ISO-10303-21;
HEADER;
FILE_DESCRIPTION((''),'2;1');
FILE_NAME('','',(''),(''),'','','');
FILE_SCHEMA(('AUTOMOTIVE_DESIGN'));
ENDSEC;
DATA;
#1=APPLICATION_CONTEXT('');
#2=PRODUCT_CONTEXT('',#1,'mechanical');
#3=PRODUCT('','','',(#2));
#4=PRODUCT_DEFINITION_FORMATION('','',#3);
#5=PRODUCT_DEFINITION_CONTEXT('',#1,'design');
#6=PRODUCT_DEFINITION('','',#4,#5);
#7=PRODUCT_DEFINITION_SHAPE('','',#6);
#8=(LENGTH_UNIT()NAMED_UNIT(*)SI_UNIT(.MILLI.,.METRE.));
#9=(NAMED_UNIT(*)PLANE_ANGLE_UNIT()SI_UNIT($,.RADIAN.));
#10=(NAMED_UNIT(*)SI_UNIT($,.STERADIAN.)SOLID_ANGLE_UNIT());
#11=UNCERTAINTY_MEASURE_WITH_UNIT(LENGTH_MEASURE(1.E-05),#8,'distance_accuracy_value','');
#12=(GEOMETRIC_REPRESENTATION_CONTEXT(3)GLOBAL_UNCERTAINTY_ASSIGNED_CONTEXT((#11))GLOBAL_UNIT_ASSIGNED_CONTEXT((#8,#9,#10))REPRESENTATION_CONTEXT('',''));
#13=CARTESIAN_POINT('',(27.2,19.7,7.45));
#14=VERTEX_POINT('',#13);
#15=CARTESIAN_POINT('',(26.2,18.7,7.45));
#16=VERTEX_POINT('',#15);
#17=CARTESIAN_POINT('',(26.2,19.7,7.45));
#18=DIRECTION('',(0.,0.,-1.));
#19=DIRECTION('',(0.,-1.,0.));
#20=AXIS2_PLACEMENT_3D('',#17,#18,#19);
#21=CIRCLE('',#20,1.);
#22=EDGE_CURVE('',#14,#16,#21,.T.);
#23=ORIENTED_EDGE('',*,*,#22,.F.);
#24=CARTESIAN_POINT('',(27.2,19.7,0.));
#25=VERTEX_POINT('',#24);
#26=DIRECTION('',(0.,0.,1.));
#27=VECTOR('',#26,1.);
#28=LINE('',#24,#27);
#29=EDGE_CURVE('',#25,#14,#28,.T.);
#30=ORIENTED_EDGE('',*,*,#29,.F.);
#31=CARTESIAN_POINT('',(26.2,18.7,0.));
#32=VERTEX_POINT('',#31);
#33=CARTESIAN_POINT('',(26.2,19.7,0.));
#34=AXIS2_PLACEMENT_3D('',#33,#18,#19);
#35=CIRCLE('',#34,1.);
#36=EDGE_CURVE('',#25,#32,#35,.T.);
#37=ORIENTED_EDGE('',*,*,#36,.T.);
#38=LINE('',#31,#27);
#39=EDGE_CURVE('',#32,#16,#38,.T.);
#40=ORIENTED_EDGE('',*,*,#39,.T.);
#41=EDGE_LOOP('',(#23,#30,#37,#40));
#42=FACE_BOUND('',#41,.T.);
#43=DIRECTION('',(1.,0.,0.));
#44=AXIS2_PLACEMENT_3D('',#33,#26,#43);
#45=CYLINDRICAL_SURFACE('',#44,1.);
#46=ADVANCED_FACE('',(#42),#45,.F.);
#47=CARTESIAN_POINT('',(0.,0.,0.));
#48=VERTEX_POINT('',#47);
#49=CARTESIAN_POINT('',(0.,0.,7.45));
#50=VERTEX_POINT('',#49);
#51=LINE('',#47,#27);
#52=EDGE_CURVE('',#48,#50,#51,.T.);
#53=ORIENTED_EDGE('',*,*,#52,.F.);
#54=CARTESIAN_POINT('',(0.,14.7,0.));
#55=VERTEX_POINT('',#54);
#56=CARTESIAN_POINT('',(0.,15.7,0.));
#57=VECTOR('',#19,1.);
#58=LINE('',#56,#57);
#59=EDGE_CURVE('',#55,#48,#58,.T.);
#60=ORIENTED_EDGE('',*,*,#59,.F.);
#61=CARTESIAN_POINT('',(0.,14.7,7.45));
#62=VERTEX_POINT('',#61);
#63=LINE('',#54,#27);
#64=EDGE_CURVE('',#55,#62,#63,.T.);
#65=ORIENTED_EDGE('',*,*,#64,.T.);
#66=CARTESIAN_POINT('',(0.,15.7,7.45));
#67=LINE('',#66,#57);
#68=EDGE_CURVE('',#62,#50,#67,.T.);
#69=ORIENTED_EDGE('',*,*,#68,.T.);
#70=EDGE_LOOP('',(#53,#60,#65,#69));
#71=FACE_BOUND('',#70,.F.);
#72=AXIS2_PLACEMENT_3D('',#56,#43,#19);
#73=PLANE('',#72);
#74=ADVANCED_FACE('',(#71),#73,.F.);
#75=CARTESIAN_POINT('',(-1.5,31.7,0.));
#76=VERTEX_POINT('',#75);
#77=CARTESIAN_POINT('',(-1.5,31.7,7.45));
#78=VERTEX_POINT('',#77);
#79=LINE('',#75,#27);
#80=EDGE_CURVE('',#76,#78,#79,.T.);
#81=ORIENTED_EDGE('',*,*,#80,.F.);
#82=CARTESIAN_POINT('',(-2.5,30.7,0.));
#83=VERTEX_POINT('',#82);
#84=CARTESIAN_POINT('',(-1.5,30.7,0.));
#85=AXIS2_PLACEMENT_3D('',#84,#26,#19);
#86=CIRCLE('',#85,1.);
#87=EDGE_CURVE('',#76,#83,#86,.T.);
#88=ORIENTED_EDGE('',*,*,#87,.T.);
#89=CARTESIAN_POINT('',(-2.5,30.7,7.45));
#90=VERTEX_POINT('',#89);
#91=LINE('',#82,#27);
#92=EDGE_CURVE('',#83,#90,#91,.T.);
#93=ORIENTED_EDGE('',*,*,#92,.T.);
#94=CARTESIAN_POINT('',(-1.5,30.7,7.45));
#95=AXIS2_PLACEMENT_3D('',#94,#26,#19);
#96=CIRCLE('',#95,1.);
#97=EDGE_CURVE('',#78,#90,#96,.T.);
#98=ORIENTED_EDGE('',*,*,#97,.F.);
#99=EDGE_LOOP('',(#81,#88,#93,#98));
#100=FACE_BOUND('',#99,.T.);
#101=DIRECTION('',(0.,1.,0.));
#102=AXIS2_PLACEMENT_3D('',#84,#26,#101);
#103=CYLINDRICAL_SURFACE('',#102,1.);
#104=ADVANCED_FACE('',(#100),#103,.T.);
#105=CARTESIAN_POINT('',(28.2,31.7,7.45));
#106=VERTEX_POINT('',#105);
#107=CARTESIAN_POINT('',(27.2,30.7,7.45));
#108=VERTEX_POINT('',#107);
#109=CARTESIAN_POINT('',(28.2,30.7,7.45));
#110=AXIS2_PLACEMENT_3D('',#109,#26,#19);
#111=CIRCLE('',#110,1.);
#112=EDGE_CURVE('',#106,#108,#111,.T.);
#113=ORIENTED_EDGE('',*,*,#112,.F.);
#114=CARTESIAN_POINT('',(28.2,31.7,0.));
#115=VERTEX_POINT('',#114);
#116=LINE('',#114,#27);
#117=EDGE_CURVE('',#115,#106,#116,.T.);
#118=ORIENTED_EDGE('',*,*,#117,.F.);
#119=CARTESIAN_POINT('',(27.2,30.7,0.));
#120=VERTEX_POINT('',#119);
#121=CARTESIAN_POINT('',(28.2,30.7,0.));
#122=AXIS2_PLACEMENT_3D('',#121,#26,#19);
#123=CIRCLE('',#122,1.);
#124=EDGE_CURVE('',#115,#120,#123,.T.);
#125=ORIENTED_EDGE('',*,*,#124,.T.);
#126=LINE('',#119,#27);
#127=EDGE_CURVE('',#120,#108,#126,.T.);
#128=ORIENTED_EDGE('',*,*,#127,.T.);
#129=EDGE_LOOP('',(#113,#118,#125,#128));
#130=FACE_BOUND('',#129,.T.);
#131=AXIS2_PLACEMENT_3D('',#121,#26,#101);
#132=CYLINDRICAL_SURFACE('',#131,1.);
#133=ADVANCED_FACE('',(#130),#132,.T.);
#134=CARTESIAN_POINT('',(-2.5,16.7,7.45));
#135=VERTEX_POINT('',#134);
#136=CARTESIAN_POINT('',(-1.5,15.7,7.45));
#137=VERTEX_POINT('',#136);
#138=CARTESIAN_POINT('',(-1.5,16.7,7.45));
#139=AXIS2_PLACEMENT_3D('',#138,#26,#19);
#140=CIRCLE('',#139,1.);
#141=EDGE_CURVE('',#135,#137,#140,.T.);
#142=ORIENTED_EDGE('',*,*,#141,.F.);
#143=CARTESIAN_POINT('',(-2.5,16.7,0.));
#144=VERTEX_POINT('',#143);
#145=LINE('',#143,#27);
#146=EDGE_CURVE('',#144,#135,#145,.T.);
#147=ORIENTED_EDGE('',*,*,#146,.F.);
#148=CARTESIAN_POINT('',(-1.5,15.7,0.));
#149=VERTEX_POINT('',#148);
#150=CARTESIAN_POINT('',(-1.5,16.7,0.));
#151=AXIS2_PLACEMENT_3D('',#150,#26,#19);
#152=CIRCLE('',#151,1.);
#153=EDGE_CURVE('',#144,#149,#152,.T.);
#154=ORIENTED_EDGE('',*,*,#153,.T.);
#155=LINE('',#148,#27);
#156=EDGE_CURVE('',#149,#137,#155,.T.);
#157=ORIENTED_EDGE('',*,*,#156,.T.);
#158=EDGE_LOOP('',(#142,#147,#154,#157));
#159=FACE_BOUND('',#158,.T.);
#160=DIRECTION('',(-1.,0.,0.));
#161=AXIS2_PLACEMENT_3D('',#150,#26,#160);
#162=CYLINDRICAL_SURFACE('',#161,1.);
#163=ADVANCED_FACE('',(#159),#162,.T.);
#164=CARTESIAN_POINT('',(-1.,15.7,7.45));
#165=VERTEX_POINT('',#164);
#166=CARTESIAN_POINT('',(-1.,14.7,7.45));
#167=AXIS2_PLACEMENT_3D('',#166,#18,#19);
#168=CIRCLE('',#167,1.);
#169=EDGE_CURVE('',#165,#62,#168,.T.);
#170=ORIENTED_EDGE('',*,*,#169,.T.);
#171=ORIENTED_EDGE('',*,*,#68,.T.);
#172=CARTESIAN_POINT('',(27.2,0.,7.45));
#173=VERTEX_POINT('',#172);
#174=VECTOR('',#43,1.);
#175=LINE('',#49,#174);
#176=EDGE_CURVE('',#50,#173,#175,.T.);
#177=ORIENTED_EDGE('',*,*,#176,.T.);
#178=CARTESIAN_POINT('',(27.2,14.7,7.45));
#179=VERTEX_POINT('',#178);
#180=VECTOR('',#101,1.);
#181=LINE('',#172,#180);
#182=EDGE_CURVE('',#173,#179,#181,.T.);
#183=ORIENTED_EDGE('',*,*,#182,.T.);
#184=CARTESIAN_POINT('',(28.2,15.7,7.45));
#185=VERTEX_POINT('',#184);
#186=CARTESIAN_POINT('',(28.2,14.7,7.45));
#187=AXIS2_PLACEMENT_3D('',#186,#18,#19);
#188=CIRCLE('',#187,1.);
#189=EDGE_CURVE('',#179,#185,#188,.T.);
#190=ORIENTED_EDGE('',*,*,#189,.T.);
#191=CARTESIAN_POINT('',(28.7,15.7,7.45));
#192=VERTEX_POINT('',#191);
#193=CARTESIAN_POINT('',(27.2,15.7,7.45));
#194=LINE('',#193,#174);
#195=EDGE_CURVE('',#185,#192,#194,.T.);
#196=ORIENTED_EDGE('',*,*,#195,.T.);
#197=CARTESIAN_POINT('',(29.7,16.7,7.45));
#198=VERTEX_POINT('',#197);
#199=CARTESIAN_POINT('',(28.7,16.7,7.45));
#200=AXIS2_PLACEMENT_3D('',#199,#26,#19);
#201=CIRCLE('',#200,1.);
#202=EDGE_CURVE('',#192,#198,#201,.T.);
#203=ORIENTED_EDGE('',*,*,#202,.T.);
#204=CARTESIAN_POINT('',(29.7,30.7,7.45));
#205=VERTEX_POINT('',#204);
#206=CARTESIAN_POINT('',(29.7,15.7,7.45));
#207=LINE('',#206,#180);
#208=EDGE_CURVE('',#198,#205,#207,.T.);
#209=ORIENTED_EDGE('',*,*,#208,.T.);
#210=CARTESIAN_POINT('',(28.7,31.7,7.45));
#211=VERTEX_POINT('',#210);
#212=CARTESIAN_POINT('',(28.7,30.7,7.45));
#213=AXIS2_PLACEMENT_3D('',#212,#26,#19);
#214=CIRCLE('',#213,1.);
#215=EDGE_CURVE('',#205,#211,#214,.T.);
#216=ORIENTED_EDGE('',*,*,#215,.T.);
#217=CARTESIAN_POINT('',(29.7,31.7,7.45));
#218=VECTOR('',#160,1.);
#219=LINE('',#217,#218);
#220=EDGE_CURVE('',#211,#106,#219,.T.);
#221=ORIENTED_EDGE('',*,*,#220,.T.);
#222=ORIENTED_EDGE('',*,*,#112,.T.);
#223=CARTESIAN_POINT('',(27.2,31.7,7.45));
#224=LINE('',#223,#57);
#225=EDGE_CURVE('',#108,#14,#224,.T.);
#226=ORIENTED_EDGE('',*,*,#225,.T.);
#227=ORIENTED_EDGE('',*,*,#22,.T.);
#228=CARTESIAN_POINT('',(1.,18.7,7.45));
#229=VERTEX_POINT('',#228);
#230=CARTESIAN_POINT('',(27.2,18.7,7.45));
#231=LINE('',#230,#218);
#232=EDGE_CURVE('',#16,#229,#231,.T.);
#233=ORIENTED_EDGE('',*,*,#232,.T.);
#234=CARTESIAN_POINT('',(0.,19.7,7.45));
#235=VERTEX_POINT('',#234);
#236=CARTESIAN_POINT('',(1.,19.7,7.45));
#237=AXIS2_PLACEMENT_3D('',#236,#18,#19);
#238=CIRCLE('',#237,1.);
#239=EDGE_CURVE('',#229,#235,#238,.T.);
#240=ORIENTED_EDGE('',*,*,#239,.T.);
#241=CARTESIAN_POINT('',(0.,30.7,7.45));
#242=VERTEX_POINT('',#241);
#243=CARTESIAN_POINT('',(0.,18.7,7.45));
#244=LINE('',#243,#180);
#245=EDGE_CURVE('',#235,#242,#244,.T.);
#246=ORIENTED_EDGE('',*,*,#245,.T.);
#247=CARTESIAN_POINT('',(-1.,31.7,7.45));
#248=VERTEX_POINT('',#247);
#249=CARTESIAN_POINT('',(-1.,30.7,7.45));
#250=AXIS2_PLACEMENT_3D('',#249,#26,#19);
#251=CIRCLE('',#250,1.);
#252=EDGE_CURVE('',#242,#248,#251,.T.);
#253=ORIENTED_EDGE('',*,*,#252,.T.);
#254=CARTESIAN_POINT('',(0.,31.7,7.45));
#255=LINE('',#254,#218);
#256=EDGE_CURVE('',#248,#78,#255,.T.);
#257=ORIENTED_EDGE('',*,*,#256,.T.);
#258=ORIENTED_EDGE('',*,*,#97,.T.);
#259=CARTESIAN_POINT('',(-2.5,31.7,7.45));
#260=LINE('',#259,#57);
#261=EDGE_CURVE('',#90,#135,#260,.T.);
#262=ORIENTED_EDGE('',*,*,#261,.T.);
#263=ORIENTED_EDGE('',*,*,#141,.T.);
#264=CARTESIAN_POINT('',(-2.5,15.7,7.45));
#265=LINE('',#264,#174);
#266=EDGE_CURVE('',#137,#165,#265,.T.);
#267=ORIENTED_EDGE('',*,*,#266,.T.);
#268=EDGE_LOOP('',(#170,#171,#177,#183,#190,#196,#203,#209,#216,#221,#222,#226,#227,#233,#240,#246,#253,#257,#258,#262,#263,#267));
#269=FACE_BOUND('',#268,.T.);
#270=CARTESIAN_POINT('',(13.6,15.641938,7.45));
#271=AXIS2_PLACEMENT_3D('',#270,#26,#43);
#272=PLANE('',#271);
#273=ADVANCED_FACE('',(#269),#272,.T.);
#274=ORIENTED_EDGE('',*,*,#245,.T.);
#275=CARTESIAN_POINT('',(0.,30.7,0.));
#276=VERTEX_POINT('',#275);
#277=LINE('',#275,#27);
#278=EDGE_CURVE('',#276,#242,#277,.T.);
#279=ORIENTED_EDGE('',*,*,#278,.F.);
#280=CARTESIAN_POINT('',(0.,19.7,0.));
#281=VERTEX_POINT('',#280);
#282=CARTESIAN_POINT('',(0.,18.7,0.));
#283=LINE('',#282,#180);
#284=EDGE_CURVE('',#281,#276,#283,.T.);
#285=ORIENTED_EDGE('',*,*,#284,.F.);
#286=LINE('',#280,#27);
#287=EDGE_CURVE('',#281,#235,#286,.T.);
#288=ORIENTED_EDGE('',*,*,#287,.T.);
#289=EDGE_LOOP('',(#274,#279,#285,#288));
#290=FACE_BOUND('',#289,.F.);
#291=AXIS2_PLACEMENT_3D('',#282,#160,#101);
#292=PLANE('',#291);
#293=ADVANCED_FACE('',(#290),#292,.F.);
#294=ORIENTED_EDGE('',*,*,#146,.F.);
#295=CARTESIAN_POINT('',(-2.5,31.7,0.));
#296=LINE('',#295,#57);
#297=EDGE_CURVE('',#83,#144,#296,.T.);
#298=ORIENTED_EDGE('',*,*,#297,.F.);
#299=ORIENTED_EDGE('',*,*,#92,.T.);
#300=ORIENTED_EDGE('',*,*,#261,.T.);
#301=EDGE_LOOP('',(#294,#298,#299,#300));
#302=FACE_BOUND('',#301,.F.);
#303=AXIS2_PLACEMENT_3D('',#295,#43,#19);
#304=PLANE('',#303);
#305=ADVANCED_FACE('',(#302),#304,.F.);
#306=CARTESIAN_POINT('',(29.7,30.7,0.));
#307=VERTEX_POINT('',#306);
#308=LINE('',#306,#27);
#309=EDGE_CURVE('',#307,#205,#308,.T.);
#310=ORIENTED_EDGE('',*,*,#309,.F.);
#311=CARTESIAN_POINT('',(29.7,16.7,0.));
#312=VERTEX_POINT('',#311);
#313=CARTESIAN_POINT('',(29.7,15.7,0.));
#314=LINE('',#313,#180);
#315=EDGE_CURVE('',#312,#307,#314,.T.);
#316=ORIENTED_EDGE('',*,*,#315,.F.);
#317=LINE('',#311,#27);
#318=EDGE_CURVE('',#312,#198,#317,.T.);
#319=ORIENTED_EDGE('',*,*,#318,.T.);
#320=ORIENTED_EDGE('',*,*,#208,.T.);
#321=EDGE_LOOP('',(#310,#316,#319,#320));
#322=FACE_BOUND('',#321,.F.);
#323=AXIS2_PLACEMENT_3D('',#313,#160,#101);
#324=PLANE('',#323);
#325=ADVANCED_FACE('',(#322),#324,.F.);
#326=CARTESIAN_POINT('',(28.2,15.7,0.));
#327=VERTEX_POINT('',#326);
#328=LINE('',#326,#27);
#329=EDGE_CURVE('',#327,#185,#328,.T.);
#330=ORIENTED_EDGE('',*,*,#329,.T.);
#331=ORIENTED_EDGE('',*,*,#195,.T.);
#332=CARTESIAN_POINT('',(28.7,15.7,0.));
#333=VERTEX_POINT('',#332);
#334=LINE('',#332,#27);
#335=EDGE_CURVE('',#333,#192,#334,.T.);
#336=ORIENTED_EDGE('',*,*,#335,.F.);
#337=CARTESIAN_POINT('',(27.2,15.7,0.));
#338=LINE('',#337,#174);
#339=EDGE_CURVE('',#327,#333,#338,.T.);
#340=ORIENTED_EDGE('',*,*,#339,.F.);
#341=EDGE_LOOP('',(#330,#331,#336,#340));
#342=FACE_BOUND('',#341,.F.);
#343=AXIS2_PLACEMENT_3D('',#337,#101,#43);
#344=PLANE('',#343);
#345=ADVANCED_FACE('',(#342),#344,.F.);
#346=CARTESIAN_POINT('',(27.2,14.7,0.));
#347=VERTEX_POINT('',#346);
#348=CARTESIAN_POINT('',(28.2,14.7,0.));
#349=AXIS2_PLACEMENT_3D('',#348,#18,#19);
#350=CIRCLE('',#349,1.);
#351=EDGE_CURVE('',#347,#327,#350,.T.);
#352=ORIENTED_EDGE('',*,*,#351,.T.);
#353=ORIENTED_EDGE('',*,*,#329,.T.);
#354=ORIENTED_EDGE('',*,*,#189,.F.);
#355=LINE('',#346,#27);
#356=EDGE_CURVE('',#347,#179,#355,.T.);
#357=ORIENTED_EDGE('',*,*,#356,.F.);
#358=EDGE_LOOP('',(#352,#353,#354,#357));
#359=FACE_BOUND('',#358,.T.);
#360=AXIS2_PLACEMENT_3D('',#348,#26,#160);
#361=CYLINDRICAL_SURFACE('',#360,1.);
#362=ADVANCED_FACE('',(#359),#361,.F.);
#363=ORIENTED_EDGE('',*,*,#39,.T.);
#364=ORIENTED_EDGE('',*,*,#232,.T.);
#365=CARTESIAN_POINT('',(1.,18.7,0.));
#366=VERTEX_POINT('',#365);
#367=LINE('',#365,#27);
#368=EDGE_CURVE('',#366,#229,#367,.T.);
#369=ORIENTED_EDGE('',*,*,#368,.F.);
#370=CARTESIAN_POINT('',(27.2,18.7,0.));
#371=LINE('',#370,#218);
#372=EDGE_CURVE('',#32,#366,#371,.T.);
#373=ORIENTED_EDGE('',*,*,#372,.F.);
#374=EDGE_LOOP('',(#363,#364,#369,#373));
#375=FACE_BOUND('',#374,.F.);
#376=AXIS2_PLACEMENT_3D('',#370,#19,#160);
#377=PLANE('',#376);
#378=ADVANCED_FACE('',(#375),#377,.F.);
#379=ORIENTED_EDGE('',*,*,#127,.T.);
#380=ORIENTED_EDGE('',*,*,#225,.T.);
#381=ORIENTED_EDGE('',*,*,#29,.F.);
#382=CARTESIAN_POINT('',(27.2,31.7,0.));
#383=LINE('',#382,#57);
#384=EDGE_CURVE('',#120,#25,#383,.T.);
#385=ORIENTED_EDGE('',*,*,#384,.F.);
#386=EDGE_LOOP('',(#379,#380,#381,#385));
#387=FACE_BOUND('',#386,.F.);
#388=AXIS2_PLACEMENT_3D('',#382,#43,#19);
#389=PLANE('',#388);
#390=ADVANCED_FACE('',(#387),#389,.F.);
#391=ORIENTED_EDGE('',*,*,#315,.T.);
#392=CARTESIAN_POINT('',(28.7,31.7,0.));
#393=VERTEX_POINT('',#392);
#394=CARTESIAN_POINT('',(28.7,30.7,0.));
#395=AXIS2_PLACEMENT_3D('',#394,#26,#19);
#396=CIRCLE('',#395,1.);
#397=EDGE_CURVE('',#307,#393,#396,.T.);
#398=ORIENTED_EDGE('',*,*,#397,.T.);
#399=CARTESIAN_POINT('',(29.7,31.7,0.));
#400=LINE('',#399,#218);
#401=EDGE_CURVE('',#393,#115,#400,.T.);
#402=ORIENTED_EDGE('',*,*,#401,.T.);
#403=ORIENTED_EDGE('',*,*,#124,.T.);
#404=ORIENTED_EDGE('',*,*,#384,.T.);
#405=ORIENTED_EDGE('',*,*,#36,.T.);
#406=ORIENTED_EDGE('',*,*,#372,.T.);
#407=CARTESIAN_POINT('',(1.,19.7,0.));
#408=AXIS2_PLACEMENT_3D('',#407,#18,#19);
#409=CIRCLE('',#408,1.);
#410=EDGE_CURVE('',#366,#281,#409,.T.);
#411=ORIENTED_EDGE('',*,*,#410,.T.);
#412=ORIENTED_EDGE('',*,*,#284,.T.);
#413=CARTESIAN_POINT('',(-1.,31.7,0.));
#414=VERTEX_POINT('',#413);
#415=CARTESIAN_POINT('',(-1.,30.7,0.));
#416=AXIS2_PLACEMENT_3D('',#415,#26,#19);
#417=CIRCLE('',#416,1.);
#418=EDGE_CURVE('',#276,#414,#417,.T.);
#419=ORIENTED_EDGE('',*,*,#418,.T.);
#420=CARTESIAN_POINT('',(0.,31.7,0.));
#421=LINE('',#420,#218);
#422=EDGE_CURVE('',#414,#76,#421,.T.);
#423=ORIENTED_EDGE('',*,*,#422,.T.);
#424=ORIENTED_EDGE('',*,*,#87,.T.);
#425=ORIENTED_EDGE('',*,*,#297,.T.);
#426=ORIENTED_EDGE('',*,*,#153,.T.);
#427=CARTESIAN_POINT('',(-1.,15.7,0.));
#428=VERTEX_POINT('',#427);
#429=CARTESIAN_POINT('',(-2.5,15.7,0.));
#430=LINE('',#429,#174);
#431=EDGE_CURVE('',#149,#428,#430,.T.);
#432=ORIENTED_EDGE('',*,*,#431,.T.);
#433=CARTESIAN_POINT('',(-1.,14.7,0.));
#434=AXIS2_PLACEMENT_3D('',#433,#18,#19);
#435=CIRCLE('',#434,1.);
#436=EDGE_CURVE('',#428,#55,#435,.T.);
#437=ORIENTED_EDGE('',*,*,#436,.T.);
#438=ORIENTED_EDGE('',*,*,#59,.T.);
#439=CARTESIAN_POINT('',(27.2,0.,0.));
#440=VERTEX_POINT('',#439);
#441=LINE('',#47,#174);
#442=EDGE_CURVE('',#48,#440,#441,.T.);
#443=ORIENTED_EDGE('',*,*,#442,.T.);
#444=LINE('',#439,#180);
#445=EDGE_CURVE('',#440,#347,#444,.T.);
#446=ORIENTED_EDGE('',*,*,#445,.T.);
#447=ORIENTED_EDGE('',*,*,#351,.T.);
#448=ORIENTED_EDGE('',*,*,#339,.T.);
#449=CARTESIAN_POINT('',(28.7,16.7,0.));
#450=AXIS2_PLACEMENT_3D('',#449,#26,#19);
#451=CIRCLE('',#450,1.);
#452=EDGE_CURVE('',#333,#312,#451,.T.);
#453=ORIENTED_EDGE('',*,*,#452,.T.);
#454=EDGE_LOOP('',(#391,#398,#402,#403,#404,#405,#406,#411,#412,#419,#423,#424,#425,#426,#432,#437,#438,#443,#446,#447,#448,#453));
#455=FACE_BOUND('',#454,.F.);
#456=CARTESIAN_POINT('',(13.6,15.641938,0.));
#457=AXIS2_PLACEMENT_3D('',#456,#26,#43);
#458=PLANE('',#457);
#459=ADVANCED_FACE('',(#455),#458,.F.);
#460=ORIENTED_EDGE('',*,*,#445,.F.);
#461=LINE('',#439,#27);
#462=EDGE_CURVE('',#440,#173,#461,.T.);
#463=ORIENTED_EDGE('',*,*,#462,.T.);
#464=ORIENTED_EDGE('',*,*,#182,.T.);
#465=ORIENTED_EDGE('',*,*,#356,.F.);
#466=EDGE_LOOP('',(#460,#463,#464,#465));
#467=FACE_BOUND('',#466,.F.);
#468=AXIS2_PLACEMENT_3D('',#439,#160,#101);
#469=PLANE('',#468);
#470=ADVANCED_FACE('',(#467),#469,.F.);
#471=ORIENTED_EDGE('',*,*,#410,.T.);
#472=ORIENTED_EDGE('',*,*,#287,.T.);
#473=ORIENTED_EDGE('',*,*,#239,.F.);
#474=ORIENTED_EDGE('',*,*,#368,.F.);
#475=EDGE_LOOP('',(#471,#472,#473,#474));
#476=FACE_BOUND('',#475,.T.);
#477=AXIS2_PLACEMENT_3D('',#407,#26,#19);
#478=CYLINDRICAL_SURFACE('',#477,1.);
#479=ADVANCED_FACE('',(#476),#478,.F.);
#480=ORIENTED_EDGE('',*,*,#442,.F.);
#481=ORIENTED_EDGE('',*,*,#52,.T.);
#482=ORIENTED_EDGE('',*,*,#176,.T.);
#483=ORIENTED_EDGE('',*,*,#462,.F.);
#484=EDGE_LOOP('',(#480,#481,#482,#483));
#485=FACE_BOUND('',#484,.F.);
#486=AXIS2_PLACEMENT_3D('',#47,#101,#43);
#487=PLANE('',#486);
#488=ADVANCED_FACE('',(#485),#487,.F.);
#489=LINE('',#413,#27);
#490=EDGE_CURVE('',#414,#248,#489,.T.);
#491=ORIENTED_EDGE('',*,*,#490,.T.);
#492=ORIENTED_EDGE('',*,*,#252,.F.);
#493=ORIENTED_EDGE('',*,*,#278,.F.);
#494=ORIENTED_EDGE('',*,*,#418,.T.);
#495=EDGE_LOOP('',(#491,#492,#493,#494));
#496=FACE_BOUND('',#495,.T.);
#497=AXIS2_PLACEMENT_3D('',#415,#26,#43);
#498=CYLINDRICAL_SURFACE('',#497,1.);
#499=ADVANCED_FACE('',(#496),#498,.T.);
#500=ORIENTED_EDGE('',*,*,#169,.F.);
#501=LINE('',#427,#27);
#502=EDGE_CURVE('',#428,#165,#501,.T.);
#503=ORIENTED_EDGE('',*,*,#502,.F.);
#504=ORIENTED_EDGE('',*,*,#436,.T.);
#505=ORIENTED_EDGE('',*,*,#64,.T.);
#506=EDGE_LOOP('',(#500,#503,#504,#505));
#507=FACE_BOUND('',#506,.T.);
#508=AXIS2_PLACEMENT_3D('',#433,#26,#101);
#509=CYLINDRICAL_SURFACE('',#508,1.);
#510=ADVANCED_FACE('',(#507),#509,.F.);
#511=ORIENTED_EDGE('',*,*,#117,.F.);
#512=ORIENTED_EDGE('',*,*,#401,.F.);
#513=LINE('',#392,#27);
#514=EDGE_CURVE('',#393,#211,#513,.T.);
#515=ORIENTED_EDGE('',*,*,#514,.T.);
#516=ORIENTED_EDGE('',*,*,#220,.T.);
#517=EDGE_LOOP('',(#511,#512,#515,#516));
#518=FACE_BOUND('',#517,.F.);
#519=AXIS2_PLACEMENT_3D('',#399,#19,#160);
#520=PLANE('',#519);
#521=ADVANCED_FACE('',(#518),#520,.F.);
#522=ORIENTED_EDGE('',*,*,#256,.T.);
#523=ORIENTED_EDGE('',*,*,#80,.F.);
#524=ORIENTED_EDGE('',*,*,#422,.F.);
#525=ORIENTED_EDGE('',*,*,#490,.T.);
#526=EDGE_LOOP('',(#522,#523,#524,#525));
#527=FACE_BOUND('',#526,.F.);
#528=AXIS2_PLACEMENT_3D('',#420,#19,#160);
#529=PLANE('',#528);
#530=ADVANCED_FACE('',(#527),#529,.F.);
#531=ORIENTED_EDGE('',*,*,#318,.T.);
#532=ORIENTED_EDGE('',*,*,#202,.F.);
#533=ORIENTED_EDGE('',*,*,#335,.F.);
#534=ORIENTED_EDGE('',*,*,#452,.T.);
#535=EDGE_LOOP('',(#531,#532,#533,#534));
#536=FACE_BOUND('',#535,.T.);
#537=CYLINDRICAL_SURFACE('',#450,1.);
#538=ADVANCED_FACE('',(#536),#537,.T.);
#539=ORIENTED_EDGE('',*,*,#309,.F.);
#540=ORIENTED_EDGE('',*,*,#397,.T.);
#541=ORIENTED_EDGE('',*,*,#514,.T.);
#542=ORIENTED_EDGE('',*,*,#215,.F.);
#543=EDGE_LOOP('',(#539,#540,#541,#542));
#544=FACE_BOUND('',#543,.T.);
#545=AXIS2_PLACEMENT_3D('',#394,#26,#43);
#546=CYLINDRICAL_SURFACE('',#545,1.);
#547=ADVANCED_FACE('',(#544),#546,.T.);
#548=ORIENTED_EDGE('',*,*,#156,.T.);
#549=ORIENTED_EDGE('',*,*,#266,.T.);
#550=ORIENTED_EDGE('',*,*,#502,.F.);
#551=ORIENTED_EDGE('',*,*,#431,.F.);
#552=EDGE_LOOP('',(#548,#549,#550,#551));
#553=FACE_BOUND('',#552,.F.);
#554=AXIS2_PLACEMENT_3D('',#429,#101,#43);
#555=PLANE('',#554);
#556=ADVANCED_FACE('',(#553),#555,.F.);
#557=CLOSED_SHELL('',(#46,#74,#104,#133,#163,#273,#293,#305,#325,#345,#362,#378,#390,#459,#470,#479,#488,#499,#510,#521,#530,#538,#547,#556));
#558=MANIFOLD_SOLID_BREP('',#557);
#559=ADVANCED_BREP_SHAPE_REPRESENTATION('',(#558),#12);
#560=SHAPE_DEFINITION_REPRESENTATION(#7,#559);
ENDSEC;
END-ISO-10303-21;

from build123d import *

# Parameters (mm, degrees)
PAD_DEPTH = 7.45
FILLET_R  = 1


with BuildPart() as part:
    # Sketch → Pad (new body)
    with BuildSketch(Plane.XY):
        Polygon((0, 0), (27.2, 0), (27.2, 15.7), (29.7, 15.7), (29.7, 31.7), (27.2, 31.7), (27.2, 18.7), (0, 18.7), (0, 31.7), (-2.5, 31.7), (-2.5, 15.7), (0, 15.7), align=None)
    extrude(amount=PAD_DEPTH)

    # Fillet
    fillet_edges = [part.edges().sort_by_distance(p)[0] for p in [
        (0, 18.7, 3.725),
        (0, 31.7, 3.725),
        (-2.5, 31.7, 3.725),
        (27.2, 31.7, 3.725),
        (29.7, 31.7, 3.725),
        (29.7, 15.7, 3.725),
        (27.2, 18.7, 3.725),
        (-2.5, 15.7, 3.725),
        (0, 15.7, 3.725),
        (27.2, 15.7, 3.725),
    ]]
    fillet(fillet_edges, radius=FILLET_R)


solid = part.part
